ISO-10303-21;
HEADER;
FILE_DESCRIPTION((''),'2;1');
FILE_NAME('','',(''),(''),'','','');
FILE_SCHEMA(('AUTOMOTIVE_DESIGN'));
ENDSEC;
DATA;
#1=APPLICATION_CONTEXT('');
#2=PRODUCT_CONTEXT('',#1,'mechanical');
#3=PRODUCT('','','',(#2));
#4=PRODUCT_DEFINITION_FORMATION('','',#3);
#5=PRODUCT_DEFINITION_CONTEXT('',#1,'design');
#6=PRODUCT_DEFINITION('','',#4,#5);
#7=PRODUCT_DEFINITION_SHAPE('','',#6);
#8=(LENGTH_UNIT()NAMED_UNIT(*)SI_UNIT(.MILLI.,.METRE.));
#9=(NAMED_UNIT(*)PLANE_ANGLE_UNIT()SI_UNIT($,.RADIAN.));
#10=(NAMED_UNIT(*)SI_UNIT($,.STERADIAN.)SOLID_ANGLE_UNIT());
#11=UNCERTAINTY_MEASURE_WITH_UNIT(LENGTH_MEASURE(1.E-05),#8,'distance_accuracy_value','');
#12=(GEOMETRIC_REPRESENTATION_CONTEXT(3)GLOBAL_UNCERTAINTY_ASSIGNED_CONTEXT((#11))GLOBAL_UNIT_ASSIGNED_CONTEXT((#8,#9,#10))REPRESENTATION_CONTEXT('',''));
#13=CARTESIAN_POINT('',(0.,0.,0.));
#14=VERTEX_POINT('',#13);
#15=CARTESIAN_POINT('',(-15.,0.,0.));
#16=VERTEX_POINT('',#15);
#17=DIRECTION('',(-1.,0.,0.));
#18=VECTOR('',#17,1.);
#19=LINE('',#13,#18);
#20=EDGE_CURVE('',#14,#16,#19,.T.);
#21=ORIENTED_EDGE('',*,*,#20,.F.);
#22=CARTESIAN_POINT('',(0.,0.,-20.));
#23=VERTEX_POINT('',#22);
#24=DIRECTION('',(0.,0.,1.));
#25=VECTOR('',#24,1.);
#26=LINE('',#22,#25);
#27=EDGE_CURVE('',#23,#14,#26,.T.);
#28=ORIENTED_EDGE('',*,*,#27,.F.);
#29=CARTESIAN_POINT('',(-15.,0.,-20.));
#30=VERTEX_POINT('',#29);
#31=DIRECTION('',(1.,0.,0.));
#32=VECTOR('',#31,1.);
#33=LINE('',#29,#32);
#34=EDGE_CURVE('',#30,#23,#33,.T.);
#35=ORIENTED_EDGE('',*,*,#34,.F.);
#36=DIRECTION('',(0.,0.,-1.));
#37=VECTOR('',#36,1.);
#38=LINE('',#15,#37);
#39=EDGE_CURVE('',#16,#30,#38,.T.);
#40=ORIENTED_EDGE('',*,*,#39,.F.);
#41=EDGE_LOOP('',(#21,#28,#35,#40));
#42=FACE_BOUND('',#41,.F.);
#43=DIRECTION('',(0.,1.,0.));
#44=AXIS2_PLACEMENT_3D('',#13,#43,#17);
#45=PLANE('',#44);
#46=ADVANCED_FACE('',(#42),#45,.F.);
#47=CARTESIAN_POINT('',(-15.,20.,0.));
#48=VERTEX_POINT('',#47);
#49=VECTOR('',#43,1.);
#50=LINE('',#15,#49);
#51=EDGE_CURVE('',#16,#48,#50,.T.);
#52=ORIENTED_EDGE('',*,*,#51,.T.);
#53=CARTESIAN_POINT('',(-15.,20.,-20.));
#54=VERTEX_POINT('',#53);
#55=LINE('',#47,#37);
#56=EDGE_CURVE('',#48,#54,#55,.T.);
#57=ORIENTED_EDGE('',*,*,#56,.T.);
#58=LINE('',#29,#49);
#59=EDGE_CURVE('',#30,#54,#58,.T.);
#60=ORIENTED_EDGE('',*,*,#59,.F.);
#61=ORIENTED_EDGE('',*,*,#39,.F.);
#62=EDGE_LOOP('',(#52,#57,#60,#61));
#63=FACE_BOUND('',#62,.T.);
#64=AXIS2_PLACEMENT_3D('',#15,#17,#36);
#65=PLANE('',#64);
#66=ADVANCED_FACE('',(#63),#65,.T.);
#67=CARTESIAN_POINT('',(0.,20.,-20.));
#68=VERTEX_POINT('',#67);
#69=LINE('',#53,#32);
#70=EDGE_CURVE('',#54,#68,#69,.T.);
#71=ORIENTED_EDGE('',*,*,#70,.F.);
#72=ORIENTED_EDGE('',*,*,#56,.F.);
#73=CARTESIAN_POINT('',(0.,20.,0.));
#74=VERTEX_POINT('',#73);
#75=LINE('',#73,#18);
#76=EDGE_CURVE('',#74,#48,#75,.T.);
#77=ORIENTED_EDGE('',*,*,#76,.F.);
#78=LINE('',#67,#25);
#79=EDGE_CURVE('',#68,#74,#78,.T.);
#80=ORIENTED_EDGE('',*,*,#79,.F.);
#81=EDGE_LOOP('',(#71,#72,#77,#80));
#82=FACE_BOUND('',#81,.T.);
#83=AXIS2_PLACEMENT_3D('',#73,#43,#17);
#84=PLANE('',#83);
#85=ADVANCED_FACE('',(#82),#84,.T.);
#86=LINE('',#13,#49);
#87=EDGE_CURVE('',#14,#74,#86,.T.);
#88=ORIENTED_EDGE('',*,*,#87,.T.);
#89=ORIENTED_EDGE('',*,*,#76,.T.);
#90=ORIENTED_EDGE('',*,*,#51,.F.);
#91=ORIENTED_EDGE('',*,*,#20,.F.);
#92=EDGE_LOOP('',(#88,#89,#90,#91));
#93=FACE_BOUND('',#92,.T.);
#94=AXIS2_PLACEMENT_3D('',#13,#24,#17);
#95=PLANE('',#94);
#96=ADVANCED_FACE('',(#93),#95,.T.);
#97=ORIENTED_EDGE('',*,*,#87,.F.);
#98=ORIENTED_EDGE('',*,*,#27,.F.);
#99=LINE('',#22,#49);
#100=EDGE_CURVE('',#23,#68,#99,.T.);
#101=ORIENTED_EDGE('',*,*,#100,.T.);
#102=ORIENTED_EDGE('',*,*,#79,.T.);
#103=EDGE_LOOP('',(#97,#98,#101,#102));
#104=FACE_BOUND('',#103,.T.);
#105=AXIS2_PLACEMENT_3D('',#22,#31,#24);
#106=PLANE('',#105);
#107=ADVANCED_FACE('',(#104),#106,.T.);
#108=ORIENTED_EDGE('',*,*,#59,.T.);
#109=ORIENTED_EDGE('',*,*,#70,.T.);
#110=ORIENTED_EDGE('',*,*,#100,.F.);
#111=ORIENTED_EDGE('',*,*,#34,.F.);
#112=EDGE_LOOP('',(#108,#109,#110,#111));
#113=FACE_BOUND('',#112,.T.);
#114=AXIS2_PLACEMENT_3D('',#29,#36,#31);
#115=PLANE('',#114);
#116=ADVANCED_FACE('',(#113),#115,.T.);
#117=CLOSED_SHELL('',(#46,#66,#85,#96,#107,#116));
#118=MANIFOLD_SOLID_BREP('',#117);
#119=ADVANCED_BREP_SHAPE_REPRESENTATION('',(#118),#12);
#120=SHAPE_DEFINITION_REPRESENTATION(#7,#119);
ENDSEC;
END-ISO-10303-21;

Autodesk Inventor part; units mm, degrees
ref_plane "YZ Plane" through (0, 0, 0) normal (1, 0, 0) x (0, 1, 0)
ref_plane "XZ Plane" through (0, 0, 0) normal (0, 1, 0) x (-1, 0, 0)
ref_plane "XY Plane" through (0, 0, 0) normal (0, 0, 1) x (1, 0, 0)
sketch "Sketch1" plane through (0, 0, 0) normal (0, 1, 0) x (-1, 0, 0)
  line L0 (0, 0) -> (15, 0)
  line L1 (15, 0) -> (15, -20)
  line L2 (15, -20) -> (0, -20)
  line L3 (0, -20) -> (0, 0)
  dimension "d0" = 15
  dimension "d1" = 20
extrude "Extrusion1" add sketch "Sketch1" along normal blind 20
properties part number "exercicio3 - peça3"
